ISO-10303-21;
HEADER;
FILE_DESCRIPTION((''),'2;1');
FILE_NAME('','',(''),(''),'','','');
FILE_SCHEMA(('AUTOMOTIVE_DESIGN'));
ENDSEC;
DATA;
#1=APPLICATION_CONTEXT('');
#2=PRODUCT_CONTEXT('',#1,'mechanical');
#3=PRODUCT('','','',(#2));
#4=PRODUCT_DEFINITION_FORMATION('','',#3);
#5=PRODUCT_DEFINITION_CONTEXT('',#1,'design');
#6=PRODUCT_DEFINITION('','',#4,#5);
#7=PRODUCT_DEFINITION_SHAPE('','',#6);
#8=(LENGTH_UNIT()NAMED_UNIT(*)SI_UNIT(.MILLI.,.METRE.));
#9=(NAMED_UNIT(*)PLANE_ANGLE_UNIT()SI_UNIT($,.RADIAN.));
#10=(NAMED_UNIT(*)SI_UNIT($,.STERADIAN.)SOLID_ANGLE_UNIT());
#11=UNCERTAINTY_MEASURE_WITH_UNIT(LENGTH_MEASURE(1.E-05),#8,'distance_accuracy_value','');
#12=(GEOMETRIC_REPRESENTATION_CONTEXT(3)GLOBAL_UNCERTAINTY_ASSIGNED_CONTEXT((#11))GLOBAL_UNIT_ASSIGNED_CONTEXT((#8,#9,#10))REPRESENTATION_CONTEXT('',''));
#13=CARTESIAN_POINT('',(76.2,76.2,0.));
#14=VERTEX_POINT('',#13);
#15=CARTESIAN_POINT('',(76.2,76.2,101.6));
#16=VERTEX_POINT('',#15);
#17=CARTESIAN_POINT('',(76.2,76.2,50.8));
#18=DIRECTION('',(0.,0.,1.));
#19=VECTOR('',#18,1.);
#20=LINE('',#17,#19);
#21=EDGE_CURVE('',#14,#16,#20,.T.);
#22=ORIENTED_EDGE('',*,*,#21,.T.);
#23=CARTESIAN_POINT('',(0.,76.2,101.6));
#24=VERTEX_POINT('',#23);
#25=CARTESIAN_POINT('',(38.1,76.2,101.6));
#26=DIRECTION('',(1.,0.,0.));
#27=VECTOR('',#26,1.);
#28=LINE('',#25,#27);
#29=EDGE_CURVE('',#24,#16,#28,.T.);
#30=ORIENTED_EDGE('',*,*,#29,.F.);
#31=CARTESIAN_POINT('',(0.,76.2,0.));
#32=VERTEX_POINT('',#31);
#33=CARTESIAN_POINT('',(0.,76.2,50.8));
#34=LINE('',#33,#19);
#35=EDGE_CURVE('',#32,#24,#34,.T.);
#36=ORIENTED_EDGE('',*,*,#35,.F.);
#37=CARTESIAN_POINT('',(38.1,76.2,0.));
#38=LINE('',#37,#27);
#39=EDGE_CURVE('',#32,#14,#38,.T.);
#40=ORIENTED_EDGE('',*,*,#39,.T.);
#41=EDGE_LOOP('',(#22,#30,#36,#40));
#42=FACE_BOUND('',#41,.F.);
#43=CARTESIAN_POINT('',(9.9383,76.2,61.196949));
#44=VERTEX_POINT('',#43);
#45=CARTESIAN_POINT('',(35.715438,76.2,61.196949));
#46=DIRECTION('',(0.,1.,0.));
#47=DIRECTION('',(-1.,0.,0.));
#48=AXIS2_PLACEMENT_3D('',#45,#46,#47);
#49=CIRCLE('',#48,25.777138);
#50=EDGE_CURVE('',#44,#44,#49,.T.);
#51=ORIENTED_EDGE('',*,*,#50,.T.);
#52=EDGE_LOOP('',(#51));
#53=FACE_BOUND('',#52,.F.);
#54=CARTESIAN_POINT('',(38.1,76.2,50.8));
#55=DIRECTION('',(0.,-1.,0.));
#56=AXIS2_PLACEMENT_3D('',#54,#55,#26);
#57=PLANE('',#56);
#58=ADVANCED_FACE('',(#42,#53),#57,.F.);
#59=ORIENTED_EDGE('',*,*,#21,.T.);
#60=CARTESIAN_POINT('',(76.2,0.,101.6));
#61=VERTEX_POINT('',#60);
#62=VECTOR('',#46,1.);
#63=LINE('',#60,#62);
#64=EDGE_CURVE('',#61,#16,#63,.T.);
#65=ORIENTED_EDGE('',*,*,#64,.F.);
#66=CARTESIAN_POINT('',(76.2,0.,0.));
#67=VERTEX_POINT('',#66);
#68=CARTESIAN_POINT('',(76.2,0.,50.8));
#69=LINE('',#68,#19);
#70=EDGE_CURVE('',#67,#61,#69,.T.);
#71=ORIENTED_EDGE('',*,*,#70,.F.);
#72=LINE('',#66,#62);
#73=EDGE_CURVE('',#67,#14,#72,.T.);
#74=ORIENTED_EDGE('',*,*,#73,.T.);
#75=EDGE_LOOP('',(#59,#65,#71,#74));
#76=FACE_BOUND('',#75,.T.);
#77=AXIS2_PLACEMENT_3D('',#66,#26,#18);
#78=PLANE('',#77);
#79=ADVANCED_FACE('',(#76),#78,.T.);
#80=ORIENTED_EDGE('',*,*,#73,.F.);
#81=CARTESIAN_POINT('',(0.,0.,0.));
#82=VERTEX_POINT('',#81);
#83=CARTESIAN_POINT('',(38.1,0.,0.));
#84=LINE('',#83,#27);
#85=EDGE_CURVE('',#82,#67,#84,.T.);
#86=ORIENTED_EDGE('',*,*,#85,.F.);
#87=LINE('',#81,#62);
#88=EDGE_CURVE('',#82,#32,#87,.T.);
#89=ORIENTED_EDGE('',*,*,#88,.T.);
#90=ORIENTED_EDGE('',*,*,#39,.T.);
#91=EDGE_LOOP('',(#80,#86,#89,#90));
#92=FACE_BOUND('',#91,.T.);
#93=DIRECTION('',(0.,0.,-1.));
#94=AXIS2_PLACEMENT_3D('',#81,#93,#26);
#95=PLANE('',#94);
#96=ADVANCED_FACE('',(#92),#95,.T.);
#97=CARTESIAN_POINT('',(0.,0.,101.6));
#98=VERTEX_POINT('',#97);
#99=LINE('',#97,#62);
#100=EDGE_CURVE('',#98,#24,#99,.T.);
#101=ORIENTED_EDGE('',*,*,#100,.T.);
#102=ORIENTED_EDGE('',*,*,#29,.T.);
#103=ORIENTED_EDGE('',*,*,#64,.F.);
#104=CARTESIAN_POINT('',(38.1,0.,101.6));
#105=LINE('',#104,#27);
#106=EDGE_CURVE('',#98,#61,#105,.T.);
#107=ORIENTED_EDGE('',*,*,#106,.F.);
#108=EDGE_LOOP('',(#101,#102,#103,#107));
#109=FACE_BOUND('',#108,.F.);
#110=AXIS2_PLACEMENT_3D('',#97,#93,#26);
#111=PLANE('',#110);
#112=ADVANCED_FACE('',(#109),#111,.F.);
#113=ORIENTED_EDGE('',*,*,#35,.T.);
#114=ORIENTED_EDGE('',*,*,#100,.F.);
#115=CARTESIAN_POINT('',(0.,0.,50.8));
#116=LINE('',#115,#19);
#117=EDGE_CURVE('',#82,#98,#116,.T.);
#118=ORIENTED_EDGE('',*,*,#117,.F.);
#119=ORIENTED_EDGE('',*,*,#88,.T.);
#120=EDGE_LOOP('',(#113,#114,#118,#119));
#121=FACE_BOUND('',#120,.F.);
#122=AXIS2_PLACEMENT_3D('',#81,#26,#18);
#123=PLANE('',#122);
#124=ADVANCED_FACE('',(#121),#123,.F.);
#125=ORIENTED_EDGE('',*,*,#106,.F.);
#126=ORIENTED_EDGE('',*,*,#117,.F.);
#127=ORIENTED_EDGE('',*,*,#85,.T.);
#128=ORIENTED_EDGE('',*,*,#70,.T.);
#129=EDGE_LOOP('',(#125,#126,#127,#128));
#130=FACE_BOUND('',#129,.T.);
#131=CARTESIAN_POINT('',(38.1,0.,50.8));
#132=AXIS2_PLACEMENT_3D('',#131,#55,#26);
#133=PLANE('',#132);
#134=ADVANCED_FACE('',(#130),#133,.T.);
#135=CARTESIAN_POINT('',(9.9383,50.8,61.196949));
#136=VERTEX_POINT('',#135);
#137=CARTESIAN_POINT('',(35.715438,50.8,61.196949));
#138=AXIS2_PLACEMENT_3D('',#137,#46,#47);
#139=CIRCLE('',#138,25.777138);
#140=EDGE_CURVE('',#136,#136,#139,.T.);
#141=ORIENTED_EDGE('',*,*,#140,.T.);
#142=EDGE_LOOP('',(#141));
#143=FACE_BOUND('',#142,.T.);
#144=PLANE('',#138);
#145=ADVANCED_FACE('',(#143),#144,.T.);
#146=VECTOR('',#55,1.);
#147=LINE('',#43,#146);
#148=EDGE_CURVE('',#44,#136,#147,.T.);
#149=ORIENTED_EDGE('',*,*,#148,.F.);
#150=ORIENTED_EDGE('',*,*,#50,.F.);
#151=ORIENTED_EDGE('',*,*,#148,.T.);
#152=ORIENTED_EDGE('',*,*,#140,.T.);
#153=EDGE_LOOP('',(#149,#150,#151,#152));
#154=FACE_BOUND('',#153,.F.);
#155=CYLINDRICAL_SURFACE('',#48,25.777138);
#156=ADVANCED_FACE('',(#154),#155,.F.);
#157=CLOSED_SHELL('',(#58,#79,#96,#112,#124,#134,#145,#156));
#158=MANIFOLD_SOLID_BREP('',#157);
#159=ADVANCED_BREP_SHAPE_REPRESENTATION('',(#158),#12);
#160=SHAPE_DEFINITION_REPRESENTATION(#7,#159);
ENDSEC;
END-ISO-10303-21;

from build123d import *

# Parameters (mm, degrees)
F0_W     = 76.2
F0_H     = 101.6
F1_DEPTH = 76.2
F2_R     = 25.777138
F3_DEPTH = 25.4


with BuildPart() as f1:
    # F0 (on Front) → F1 (new body)
    with BuildSketch(Plane.XZ):
        with Locations((38.1, 50.8)):
            Rectangle(F0_W, F0_H)
    extrude(amount=-F1_DEPTH)

    # F2 (on face) → F3 (cut)
    with BuildSketch(Plane(origin=(0, 76.2, 0), x_dir=(-1, 0, 0), z_dir=(0, 1, 0))):
        with Locations((-35.715438, 61.196949)):
            Circle(F2_R)
    extrude(amount=-F3_DEPTH, mode=Mode.SUBTRACT)


solid = f1.part
